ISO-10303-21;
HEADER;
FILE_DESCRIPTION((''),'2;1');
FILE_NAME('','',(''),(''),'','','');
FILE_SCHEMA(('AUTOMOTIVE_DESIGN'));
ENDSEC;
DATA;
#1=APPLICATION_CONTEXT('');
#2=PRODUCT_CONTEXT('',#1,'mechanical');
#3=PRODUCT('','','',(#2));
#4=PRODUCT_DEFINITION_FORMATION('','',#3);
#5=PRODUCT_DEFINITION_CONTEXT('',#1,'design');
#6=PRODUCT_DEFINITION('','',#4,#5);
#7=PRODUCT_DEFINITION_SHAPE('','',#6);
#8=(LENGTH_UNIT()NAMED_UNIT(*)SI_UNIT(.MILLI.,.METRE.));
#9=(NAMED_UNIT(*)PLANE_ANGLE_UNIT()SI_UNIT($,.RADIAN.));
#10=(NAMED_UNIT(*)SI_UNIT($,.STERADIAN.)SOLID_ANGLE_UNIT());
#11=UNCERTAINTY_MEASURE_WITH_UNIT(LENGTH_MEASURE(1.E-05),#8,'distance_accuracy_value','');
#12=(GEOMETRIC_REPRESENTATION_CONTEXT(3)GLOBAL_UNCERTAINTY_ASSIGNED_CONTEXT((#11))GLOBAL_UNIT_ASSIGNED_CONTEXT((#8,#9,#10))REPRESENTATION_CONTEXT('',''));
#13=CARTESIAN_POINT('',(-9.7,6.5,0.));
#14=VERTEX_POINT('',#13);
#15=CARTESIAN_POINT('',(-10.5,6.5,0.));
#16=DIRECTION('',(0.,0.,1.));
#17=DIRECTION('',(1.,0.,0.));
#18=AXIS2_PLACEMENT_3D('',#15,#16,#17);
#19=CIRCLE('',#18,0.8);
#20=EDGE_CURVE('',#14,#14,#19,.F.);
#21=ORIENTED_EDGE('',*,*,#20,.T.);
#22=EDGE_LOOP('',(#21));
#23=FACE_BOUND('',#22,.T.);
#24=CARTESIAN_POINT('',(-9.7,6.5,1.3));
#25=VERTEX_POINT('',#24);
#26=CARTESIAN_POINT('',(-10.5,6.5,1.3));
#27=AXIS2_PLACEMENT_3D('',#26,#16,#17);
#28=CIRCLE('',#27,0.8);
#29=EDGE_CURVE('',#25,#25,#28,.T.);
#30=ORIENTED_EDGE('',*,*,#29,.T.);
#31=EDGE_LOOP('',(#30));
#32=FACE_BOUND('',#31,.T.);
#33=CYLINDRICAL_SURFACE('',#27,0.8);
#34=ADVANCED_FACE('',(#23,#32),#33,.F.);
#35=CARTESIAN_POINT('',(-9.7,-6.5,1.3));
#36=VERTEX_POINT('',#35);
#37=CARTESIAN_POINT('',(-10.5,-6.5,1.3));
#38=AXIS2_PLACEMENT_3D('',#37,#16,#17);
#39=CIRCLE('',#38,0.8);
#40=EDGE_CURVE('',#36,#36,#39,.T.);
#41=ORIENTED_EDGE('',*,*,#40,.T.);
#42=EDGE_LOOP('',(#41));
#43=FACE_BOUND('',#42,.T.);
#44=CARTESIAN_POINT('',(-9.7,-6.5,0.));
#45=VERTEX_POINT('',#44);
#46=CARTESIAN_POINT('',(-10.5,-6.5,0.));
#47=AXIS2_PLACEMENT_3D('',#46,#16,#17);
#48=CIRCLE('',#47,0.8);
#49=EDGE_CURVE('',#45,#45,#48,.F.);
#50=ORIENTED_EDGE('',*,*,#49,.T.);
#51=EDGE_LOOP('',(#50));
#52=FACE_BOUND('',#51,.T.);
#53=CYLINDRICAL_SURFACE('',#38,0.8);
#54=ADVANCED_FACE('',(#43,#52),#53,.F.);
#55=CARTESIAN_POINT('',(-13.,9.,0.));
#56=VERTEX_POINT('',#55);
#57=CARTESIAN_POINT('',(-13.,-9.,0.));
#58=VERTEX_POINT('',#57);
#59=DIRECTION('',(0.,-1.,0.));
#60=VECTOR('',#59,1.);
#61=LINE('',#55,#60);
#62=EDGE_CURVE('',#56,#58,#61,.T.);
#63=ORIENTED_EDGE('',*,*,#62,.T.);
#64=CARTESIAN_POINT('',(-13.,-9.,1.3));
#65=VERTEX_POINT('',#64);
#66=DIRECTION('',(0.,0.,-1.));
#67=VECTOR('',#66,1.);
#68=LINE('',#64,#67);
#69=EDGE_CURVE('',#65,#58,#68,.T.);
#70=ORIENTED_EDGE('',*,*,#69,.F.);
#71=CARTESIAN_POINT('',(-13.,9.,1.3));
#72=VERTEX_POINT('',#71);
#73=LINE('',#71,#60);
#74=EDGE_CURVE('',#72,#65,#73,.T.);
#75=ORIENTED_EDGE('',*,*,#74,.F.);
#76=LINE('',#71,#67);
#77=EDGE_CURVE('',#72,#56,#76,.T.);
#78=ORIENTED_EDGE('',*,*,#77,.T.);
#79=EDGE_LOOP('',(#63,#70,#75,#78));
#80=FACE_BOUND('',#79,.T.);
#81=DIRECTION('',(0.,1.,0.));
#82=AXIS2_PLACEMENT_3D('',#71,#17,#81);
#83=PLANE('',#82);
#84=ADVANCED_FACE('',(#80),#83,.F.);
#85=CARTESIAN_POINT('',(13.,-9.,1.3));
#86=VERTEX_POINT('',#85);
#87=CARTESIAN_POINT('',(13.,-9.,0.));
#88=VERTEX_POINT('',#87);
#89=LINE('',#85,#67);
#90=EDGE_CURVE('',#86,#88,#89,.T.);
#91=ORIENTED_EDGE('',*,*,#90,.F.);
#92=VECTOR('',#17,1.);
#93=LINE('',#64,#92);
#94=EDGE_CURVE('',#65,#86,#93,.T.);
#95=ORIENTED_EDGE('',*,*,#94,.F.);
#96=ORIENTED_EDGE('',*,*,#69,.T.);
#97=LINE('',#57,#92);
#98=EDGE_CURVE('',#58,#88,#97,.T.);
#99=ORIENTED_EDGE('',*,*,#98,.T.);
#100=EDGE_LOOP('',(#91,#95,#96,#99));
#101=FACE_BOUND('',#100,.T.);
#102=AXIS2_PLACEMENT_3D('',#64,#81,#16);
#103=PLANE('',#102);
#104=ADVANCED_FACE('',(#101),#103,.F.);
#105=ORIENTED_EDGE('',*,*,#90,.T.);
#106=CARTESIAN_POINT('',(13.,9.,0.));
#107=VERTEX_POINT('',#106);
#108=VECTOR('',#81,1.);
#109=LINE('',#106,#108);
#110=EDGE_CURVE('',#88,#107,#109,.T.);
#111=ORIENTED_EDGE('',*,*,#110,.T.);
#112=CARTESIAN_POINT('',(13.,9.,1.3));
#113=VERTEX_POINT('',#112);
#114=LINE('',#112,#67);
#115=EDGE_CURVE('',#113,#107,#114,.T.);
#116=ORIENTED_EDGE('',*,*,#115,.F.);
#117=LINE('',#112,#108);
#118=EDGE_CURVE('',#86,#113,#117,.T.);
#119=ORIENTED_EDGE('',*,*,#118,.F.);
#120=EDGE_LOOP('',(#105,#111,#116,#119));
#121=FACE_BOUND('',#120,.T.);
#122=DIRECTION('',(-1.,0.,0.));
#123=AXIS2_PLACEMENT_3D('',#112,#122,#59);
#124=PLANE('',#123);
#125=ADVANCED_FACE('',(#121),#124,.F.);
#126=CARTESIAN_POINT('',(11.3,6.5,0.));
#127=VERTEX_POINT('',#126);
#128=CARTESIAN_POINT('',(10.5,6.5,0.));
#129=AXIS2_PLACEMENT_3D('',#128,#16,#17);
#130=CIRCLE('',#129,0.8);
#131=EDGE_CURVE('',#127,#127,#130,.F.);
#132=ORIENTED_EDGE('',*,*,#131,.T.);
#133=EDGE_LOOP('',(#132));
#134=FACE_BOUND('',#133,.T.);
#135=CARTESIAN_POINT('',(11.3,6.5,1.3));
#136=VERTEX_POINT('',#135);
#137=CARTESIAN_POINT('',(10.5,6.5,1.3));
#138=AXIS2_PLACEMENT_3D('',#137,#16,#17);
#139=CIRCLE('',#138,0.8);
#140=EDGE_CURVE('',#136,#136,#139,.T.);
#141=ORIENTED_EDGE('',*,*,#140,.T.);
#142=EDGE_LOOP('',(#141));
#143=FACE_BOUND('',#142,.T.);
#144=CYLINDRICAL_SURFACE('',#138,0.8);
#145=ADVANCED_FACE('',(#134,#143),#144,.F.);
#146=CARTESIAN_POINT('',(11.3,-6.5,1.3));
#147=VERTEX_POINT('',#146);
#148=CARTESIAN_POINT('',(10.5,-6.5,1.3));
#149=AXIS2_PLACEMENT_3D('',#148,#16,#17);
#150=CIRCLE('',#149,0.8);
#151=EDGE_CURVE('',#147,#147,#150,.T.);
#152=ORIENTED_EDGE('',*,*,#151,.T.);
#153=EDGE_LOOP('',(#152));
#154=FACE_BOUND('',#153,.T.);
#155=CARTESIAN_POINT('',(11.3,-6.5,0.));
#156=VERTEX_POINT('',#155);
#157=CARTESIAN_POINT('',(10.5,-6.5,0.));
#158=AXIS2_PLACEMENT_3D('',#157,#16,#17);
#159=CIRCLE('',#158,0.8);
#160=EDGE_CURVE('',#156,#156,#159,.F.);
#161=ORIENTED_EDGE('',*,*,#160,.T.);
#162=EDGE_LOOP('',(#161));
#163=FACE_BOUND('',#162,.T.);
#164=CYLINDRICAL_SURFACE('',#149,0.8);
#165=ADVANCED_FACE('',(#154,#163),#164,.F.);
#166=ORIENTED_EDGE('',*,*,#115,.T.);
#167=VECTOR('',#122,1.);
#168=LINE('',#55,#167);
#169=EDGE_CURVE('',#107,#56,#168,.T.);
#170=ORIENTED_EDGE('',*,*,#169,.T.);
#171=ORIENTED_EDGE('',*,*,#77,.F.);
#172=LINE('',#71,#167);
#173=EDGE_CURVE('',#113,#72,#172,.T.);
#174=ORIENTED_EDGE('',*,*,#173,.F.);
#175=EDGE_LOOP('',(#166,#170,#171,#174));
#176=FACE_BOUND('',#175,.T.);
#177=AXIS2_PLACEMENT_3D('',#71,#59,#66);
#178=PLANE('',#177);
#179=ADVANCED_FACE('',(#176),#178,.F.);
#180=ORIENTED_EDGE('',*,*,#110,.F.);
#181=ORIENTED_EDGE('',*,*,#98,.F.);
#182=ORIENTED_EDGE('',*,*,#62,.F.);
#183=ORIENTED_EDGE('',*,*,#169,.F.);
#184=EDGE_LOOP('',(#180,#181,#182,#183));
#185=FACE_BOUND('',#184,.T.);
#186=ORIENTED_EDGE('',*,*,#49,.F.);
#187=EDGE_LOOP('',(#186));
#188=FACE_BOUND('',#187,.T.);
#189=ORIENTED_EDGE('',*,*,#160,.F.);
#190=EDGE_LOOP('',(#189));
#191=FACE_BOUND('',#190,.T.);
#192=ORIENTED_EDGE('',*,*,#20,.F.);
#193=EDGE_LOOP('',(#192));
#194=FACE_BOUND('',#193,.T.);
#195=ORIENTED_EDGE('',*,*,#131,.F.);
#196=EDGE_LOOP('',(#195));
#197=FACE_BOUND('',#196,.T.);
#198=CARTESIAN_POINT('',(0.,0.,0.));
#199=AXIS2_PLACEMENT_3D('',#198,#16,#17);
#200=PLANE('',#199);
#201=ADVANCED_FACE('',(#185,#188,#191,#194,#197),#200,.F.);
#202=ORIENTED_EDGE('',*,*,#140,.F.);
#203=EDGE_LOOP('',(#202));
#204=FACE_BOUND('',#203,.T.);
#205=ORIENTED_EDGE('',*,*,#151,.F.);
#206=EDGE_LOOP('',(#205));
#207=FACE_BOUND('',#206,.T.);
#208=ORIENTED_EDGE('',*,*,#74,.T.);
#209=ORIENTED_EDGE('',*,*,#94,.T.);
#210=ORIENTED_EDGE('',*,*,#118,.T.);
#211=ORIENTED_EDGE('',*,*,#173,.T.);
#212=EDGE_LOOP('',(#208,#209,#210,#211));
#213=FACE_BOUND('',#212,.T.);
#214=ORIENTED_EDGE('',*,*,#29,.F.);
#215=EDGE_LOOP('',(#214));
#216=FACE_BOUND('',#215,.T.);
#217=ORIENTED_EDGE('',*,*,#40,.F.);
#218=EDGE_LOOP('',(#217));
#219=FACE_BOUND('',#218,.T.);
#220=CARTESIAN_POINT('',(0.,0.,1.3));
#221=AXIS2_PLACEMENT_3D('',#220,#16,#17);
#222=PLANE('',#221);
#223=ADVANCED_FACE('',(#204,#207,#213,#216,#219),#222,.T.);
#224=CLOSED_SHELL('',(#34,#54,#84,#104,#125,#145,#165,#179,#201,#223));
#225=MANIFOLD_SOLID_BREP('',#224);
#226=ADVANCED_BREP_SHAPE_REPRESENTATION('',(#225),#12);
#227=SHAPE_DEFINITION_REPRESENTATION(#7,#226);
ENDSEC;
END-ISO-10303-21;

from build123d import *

# Parameters (mm, degrees)
ESQUISSE1_W               = 26
ESQUISSE1_H               = 18
BOSS_EXTRU_1_DEPTH        = 1.3
TROU_TARAUD_M2X0_41_D     = 1.6
TROU_TARAUD_M2X0_41_DEPTH = 1.3
TROU_TARAUD_M2X0_41_TIP   = 0.480688495


with BuildPart() as part:
    # Esquisse1 → Boss.-Extru.1 (new body)
    with BuildSketch(Plane.XY):
        Rectangle(ESQUISSE1_W, ESQUISSE1_H)
    extrude(amount=BOSS_EXTRU_1_DEPTH)

    # Trou taraudé M2x0.41
    with Locations(Plane(origin=(-10.5, 6.5, 1.3), x_dir=(1, 0, 0), z_dir=(0, 0, 1))):
        with Locations((0, 0), (0, -13), (21, -13), (21, 0)):
            Hole(TROU_TARAUD_M2X0_41_D / 2, depth=TROU_TARAUD_M2X0_41_DEPTH)
            with Locations((0, 0, -(TROU_TARAUD_M2X0_41_DEPTH + TROU_TARAUD_M2X0_41_TIP / 2))):  # 118° drill point
                Cone(0, TROU_TARAUD_M2X0_41_D / 2, TROU_TARAUD_M2X0_41_TIP, mode=Mode.SUBTRACT)


solid = part.part
